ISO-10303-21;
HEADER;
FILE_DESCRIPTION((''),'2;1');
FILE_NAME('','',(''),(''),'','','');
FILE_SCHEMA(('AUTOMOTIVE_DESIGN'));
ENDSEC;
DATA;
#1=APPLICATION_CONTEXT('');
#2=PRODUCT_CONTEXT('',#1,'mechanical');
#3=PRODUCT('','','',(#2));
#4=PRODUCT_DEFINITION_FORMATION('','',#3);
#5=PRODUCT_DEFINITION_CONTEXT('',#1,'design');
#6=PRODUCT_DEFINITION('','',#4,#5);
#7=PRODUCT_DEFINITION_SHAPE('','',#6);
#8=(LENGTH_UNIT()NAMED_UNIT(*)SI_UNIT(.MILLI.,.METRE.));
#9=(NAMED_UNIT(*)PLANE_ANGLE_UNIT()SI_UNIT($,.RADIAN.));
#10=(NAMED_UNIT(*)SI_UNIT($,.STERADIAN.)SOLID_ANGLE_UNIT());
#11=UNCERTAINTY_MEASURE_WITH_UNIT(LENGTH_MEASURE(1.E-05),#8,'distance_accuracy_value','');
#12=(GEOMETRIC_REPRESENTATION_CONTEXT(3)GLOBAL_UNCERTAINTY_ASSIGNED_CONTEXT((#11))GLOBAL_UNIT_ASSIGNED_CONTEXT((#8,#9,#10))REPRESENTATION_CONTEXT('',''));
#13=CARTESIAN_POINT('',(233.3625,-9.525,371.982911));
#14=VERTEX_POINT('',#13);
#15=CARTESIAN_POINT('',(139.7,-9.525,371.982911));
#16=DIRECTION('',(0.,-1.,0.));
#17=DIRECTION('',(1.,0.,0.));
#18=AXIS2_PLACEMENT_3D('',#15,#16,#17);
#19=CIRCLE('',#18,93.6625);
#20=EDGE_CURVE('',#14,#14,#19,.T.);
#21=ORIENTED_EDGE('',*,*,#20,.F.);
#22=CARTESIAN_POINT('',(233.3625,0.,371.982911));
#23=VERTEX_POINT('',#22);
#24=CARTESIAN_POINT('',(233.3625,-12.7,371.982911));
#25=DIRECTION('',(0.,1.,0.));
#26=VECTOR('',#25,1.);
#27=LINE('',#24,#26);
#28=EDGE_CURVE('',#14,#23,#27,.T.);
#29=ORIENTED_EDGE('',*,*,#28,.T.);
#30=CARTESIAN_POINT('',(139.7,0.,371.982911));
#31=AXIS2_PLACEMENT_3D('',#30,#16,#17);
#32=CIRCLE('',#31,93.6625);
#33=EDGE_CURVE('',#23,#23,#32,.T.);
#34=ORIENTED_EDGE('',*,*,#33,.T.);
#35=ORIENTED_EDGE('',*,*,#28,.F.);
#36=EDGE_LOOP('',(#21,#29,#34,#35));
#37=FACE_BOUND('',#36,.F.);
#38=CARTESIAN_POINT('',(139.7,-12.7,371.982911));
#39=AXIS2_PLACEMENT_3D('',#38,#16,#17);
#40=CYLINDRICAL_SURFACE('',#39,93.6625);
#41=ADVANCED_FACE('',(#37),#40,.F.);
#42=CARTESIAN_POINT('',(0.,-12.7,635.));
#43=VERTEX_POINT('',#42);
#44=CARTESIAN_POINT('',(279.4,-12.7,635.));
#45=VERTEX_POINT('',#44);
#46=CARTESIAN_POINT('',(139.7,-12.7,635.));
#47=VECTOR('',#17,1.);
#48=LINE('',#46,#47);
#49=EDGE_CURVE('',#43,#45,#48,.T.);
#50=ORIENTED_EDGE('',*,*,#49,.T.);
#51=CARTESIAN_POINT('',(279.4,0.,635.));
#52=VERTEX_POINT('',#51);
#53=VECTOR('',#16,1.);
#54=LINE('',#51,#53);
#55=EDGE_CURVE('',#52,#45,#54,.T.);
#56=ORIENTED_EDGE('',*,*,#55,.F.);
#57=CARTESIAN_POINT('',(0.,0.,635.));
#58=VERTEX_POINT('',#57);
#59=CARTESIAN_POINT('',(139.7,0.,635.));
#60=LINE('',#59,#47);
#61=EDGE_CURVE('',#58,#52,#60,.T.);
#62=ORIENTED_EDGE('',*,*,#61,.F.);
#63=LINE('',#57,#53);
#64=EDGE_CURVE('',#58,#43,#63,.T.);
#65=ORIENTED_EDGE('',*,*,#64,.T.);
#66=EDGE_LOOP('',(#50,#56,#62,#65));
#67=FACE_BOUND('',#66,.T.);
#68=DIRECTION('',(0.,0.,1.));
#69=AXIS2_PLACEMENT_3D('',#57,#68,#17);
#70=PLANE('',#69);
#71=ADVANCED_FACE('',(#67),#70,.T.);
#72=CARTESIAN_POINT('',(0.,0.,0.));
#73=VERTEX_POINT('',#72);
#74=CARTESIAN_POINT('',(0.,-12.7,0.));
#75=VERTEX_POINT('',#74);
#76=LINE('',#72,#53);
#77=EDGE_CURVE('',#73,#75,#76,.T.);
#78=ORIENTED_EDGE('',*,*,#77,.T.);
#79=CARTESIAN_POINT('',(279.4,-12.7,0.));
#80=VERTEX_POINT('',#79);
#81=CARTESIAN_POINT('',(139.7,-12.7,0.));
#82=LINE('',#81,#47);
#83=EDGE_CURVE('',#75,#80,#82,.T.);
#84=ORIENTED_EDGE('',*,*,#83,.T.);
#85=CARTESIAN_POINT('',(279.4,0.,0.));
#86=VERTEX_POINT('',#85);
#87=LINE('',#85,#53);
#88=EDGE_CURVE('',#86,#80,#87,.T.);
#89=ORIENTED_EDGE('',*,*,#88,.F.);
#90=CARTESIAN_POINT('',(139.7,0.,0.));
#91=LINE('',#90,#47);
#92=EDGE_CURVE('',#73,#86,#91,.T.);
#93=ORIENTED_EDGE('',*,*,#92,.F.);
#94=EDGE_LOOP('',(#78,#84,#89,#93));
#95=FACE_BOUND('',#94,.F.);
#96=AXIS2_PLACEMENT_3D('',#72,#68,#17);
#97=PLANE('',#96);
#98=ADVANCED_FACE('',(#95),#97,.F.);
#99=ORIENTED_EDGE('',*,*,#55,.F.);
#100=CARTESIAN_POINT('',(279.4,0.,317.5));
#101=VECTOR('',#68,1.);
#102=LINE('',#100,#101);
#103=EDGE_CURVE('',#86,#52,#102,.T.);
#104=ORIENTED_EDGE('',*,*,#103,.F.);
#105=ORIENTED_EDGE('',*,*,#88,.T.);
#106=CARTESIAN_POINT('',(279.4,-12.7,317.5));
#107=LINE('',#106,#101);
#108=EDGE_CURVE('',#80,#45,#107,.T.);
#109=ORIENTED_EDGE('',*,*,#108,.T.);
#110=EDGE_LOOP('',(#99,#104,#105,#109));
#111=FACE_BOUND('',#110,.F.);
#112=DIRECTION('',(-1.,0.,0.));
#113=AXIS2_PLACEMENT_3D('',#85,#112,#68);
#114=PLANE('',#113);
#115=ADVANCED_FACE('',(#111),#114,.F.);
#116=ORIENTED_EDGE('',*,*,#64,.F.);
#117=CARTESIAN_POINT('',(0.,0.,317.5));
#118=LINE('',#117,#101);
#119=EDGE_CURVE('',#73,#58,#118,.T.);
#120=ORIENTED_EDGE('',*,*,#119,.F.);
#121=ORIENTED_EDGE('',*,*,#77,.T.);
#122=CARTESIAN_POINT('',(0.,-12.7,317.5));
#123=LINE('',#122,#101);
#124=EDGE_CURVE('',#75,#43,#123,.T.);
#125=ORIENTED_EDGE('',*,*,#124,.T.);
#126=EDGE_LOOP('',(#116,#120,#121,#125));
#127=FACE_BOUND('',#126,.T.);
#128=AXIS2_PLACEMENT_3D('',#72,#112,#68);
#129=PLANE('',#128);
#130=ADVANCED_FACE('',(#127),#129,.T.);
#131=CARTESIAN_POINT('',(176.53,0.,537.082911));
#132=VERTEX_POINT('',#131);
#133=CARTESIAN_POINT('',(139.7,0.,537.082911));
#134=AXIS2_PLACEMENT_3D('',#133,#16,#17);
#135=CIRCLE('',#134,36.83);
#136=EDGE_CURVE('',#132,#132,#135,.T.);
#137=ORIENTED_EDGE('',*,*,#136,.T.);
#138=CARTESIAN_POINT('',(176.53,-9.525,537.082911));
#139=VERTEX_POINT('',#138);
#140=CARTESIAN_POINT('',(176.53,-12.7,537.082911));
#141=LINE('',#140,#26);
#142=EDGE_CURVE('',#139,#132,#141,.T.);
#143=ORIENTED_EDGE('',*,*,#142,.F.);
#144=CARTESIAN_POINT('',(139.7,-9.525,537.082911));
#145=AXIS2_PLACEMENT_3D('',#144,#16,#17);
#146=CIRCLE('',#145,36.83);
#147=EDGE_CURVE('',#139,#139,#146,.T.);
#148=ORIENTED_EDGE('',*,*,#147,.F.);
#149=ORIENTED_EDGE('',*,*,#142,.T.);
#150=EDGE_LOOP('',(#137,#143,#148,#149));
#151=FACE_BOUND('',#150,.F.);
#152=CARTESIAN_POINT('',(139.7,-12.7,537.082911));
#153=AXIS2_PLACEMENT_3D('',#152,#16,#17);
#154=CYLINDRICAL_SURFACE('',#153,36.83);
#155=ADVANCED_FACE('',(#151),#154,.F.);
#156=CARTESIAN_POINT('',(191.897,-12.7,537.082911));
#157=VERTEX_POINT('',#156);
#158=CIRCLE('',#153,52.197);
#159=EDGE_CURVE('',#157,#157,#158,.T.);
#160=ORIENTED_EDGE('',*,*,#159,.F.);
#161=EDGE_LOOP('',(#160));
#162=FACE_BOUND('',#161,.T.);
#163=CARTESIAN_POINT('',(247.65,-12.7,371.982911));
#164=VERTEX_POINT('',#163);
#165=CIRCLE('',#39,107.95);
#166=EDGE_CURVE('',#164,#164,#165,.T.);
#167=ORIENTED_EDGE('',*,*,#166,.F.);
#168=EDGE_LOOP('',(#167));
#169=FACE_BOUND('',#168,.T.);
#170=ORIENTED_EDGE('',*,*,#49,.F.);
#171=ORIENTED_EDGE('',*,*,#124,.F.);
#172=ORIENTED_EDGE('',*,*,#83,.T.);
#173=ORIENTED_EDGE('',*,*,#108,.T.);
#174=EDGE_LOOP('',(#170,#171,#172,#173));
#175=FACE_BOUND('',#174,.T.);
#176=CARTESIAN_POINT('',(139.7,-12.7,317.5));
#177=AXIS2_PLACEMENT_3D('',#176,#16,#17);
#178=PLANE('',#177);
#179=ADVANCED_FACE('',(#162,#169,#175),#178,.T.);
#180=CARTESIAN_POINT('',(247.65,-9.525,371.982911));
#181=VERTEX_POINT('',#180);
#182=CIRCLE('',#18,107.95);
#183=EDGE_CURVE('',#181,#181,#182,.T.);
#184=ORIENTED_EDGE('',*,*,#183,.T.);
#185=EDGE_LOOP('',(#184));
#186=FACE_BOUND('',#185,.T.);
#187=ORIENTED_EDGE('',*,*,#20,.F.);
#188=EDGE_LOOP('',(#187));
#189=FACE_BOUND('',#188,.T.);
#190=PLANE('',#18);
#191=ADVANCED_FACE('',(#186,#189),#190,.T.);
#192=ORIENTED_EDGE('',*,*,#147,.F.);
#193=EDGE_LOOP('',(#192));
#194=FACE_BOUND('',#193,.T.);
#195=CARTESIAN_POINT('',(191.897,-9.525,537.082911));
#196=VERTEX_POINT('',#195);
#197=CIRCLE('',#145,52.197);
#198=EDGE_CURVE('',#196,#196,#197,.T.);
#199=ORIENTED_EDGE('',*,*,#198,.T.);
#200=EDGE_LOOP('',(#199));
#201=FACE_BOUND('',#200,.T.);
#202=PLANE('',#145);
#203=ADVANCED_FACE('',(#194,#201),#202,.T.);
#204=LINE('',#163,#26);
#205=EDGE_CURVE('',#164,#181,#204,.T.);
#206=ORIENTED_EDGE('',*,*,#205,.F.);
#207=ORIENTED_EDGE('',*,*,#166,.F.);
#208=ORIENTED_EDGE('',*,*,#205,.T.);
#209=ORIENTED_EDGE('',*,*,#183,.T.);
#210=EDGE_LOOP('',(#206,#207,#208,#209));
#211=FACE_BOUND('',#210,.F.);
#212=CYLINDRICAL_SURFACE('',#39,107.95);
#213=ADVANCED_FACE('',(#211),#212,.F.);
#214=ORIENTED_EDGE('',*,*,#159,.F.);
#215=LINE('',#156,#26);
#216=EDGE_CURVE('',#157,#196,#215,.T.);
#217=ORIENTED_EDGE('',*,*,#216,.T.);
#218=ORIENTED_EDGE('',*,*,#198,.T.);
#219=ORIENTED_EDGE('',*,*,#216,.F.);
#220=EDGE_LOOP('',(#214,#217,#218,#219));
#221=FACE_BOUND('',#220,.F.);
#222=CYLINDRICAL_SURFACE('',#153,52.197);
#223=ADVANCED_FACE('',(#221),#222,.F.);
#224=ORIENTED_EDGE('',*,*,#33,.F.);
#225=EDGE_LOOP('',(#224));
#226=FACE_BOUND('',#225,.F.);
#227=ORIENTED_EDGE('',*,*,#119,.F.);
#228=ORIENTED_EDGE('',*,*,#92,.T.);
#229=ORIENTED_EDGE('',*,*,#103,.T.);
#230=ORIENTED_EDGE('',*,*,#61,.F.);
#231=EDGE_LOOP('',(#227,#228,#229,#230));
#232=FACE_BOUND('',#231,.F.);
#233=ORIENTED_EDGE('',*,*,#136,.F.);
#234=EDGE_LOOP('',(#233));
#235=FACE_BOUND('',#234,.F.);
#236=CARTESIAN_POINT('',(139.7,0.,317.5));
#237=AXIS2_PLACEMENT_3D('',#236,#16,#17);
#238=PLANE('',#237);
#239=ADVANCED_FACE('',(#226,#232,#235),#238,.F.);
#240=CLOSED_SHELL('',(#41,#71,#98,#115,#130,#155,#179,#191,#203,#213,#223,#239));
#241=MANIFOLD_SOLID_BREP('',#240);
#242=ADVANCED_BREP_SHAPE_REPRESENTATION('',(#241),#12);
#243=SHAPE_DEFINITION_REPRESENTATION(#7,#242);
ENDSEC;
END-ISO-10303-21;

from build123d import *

# Parameters (mm, degrees)
F0_W     = 279.4
F0_H     = 635
F1_DEPTH = 12.7
F2_R     = 52.197
F2_R_2   = 107.95
F3_DEPTH = 3.175
F4_R     = 36.83
F4_R_2   = 93.6625
F5_DEPTH = 12.701


with BuildPart() as f1:
    # F0 (on Front) → F1 (new body)
    with BuildSketch(Plane.XZ):
        with Locations((139.7, 317.5)):
            Rectangle(F0_W, F0_H)
    extrude(amount=F1_DEPTH)

    # F2 (on face) → F3 (cut)
    with BuildSketch(Plane.XZ.offset(12.7)):
        with Locations((139.7, 537.082911)):
            Circle(F2_R)
        with Locations((139.7, 371.982911)):
            Circle(F2_R_2)
    extrude(amount=-F3_DEPTH, mode=Mode.SUBTRACT)

    # F4 (on face) → F5 (cut, through all)
    with BuildSketch(Plane.XZ.offset(12.7)):
        with Locations((139.7, 537.082911)):
            Circle(F4_R)
        with Locations((139.7, 371.982911)):
            Circle(F4_R_2)
    extrude(amount=-F5_DEPTH, mode=Mode.SUBTRACT)


solid = f1.part
